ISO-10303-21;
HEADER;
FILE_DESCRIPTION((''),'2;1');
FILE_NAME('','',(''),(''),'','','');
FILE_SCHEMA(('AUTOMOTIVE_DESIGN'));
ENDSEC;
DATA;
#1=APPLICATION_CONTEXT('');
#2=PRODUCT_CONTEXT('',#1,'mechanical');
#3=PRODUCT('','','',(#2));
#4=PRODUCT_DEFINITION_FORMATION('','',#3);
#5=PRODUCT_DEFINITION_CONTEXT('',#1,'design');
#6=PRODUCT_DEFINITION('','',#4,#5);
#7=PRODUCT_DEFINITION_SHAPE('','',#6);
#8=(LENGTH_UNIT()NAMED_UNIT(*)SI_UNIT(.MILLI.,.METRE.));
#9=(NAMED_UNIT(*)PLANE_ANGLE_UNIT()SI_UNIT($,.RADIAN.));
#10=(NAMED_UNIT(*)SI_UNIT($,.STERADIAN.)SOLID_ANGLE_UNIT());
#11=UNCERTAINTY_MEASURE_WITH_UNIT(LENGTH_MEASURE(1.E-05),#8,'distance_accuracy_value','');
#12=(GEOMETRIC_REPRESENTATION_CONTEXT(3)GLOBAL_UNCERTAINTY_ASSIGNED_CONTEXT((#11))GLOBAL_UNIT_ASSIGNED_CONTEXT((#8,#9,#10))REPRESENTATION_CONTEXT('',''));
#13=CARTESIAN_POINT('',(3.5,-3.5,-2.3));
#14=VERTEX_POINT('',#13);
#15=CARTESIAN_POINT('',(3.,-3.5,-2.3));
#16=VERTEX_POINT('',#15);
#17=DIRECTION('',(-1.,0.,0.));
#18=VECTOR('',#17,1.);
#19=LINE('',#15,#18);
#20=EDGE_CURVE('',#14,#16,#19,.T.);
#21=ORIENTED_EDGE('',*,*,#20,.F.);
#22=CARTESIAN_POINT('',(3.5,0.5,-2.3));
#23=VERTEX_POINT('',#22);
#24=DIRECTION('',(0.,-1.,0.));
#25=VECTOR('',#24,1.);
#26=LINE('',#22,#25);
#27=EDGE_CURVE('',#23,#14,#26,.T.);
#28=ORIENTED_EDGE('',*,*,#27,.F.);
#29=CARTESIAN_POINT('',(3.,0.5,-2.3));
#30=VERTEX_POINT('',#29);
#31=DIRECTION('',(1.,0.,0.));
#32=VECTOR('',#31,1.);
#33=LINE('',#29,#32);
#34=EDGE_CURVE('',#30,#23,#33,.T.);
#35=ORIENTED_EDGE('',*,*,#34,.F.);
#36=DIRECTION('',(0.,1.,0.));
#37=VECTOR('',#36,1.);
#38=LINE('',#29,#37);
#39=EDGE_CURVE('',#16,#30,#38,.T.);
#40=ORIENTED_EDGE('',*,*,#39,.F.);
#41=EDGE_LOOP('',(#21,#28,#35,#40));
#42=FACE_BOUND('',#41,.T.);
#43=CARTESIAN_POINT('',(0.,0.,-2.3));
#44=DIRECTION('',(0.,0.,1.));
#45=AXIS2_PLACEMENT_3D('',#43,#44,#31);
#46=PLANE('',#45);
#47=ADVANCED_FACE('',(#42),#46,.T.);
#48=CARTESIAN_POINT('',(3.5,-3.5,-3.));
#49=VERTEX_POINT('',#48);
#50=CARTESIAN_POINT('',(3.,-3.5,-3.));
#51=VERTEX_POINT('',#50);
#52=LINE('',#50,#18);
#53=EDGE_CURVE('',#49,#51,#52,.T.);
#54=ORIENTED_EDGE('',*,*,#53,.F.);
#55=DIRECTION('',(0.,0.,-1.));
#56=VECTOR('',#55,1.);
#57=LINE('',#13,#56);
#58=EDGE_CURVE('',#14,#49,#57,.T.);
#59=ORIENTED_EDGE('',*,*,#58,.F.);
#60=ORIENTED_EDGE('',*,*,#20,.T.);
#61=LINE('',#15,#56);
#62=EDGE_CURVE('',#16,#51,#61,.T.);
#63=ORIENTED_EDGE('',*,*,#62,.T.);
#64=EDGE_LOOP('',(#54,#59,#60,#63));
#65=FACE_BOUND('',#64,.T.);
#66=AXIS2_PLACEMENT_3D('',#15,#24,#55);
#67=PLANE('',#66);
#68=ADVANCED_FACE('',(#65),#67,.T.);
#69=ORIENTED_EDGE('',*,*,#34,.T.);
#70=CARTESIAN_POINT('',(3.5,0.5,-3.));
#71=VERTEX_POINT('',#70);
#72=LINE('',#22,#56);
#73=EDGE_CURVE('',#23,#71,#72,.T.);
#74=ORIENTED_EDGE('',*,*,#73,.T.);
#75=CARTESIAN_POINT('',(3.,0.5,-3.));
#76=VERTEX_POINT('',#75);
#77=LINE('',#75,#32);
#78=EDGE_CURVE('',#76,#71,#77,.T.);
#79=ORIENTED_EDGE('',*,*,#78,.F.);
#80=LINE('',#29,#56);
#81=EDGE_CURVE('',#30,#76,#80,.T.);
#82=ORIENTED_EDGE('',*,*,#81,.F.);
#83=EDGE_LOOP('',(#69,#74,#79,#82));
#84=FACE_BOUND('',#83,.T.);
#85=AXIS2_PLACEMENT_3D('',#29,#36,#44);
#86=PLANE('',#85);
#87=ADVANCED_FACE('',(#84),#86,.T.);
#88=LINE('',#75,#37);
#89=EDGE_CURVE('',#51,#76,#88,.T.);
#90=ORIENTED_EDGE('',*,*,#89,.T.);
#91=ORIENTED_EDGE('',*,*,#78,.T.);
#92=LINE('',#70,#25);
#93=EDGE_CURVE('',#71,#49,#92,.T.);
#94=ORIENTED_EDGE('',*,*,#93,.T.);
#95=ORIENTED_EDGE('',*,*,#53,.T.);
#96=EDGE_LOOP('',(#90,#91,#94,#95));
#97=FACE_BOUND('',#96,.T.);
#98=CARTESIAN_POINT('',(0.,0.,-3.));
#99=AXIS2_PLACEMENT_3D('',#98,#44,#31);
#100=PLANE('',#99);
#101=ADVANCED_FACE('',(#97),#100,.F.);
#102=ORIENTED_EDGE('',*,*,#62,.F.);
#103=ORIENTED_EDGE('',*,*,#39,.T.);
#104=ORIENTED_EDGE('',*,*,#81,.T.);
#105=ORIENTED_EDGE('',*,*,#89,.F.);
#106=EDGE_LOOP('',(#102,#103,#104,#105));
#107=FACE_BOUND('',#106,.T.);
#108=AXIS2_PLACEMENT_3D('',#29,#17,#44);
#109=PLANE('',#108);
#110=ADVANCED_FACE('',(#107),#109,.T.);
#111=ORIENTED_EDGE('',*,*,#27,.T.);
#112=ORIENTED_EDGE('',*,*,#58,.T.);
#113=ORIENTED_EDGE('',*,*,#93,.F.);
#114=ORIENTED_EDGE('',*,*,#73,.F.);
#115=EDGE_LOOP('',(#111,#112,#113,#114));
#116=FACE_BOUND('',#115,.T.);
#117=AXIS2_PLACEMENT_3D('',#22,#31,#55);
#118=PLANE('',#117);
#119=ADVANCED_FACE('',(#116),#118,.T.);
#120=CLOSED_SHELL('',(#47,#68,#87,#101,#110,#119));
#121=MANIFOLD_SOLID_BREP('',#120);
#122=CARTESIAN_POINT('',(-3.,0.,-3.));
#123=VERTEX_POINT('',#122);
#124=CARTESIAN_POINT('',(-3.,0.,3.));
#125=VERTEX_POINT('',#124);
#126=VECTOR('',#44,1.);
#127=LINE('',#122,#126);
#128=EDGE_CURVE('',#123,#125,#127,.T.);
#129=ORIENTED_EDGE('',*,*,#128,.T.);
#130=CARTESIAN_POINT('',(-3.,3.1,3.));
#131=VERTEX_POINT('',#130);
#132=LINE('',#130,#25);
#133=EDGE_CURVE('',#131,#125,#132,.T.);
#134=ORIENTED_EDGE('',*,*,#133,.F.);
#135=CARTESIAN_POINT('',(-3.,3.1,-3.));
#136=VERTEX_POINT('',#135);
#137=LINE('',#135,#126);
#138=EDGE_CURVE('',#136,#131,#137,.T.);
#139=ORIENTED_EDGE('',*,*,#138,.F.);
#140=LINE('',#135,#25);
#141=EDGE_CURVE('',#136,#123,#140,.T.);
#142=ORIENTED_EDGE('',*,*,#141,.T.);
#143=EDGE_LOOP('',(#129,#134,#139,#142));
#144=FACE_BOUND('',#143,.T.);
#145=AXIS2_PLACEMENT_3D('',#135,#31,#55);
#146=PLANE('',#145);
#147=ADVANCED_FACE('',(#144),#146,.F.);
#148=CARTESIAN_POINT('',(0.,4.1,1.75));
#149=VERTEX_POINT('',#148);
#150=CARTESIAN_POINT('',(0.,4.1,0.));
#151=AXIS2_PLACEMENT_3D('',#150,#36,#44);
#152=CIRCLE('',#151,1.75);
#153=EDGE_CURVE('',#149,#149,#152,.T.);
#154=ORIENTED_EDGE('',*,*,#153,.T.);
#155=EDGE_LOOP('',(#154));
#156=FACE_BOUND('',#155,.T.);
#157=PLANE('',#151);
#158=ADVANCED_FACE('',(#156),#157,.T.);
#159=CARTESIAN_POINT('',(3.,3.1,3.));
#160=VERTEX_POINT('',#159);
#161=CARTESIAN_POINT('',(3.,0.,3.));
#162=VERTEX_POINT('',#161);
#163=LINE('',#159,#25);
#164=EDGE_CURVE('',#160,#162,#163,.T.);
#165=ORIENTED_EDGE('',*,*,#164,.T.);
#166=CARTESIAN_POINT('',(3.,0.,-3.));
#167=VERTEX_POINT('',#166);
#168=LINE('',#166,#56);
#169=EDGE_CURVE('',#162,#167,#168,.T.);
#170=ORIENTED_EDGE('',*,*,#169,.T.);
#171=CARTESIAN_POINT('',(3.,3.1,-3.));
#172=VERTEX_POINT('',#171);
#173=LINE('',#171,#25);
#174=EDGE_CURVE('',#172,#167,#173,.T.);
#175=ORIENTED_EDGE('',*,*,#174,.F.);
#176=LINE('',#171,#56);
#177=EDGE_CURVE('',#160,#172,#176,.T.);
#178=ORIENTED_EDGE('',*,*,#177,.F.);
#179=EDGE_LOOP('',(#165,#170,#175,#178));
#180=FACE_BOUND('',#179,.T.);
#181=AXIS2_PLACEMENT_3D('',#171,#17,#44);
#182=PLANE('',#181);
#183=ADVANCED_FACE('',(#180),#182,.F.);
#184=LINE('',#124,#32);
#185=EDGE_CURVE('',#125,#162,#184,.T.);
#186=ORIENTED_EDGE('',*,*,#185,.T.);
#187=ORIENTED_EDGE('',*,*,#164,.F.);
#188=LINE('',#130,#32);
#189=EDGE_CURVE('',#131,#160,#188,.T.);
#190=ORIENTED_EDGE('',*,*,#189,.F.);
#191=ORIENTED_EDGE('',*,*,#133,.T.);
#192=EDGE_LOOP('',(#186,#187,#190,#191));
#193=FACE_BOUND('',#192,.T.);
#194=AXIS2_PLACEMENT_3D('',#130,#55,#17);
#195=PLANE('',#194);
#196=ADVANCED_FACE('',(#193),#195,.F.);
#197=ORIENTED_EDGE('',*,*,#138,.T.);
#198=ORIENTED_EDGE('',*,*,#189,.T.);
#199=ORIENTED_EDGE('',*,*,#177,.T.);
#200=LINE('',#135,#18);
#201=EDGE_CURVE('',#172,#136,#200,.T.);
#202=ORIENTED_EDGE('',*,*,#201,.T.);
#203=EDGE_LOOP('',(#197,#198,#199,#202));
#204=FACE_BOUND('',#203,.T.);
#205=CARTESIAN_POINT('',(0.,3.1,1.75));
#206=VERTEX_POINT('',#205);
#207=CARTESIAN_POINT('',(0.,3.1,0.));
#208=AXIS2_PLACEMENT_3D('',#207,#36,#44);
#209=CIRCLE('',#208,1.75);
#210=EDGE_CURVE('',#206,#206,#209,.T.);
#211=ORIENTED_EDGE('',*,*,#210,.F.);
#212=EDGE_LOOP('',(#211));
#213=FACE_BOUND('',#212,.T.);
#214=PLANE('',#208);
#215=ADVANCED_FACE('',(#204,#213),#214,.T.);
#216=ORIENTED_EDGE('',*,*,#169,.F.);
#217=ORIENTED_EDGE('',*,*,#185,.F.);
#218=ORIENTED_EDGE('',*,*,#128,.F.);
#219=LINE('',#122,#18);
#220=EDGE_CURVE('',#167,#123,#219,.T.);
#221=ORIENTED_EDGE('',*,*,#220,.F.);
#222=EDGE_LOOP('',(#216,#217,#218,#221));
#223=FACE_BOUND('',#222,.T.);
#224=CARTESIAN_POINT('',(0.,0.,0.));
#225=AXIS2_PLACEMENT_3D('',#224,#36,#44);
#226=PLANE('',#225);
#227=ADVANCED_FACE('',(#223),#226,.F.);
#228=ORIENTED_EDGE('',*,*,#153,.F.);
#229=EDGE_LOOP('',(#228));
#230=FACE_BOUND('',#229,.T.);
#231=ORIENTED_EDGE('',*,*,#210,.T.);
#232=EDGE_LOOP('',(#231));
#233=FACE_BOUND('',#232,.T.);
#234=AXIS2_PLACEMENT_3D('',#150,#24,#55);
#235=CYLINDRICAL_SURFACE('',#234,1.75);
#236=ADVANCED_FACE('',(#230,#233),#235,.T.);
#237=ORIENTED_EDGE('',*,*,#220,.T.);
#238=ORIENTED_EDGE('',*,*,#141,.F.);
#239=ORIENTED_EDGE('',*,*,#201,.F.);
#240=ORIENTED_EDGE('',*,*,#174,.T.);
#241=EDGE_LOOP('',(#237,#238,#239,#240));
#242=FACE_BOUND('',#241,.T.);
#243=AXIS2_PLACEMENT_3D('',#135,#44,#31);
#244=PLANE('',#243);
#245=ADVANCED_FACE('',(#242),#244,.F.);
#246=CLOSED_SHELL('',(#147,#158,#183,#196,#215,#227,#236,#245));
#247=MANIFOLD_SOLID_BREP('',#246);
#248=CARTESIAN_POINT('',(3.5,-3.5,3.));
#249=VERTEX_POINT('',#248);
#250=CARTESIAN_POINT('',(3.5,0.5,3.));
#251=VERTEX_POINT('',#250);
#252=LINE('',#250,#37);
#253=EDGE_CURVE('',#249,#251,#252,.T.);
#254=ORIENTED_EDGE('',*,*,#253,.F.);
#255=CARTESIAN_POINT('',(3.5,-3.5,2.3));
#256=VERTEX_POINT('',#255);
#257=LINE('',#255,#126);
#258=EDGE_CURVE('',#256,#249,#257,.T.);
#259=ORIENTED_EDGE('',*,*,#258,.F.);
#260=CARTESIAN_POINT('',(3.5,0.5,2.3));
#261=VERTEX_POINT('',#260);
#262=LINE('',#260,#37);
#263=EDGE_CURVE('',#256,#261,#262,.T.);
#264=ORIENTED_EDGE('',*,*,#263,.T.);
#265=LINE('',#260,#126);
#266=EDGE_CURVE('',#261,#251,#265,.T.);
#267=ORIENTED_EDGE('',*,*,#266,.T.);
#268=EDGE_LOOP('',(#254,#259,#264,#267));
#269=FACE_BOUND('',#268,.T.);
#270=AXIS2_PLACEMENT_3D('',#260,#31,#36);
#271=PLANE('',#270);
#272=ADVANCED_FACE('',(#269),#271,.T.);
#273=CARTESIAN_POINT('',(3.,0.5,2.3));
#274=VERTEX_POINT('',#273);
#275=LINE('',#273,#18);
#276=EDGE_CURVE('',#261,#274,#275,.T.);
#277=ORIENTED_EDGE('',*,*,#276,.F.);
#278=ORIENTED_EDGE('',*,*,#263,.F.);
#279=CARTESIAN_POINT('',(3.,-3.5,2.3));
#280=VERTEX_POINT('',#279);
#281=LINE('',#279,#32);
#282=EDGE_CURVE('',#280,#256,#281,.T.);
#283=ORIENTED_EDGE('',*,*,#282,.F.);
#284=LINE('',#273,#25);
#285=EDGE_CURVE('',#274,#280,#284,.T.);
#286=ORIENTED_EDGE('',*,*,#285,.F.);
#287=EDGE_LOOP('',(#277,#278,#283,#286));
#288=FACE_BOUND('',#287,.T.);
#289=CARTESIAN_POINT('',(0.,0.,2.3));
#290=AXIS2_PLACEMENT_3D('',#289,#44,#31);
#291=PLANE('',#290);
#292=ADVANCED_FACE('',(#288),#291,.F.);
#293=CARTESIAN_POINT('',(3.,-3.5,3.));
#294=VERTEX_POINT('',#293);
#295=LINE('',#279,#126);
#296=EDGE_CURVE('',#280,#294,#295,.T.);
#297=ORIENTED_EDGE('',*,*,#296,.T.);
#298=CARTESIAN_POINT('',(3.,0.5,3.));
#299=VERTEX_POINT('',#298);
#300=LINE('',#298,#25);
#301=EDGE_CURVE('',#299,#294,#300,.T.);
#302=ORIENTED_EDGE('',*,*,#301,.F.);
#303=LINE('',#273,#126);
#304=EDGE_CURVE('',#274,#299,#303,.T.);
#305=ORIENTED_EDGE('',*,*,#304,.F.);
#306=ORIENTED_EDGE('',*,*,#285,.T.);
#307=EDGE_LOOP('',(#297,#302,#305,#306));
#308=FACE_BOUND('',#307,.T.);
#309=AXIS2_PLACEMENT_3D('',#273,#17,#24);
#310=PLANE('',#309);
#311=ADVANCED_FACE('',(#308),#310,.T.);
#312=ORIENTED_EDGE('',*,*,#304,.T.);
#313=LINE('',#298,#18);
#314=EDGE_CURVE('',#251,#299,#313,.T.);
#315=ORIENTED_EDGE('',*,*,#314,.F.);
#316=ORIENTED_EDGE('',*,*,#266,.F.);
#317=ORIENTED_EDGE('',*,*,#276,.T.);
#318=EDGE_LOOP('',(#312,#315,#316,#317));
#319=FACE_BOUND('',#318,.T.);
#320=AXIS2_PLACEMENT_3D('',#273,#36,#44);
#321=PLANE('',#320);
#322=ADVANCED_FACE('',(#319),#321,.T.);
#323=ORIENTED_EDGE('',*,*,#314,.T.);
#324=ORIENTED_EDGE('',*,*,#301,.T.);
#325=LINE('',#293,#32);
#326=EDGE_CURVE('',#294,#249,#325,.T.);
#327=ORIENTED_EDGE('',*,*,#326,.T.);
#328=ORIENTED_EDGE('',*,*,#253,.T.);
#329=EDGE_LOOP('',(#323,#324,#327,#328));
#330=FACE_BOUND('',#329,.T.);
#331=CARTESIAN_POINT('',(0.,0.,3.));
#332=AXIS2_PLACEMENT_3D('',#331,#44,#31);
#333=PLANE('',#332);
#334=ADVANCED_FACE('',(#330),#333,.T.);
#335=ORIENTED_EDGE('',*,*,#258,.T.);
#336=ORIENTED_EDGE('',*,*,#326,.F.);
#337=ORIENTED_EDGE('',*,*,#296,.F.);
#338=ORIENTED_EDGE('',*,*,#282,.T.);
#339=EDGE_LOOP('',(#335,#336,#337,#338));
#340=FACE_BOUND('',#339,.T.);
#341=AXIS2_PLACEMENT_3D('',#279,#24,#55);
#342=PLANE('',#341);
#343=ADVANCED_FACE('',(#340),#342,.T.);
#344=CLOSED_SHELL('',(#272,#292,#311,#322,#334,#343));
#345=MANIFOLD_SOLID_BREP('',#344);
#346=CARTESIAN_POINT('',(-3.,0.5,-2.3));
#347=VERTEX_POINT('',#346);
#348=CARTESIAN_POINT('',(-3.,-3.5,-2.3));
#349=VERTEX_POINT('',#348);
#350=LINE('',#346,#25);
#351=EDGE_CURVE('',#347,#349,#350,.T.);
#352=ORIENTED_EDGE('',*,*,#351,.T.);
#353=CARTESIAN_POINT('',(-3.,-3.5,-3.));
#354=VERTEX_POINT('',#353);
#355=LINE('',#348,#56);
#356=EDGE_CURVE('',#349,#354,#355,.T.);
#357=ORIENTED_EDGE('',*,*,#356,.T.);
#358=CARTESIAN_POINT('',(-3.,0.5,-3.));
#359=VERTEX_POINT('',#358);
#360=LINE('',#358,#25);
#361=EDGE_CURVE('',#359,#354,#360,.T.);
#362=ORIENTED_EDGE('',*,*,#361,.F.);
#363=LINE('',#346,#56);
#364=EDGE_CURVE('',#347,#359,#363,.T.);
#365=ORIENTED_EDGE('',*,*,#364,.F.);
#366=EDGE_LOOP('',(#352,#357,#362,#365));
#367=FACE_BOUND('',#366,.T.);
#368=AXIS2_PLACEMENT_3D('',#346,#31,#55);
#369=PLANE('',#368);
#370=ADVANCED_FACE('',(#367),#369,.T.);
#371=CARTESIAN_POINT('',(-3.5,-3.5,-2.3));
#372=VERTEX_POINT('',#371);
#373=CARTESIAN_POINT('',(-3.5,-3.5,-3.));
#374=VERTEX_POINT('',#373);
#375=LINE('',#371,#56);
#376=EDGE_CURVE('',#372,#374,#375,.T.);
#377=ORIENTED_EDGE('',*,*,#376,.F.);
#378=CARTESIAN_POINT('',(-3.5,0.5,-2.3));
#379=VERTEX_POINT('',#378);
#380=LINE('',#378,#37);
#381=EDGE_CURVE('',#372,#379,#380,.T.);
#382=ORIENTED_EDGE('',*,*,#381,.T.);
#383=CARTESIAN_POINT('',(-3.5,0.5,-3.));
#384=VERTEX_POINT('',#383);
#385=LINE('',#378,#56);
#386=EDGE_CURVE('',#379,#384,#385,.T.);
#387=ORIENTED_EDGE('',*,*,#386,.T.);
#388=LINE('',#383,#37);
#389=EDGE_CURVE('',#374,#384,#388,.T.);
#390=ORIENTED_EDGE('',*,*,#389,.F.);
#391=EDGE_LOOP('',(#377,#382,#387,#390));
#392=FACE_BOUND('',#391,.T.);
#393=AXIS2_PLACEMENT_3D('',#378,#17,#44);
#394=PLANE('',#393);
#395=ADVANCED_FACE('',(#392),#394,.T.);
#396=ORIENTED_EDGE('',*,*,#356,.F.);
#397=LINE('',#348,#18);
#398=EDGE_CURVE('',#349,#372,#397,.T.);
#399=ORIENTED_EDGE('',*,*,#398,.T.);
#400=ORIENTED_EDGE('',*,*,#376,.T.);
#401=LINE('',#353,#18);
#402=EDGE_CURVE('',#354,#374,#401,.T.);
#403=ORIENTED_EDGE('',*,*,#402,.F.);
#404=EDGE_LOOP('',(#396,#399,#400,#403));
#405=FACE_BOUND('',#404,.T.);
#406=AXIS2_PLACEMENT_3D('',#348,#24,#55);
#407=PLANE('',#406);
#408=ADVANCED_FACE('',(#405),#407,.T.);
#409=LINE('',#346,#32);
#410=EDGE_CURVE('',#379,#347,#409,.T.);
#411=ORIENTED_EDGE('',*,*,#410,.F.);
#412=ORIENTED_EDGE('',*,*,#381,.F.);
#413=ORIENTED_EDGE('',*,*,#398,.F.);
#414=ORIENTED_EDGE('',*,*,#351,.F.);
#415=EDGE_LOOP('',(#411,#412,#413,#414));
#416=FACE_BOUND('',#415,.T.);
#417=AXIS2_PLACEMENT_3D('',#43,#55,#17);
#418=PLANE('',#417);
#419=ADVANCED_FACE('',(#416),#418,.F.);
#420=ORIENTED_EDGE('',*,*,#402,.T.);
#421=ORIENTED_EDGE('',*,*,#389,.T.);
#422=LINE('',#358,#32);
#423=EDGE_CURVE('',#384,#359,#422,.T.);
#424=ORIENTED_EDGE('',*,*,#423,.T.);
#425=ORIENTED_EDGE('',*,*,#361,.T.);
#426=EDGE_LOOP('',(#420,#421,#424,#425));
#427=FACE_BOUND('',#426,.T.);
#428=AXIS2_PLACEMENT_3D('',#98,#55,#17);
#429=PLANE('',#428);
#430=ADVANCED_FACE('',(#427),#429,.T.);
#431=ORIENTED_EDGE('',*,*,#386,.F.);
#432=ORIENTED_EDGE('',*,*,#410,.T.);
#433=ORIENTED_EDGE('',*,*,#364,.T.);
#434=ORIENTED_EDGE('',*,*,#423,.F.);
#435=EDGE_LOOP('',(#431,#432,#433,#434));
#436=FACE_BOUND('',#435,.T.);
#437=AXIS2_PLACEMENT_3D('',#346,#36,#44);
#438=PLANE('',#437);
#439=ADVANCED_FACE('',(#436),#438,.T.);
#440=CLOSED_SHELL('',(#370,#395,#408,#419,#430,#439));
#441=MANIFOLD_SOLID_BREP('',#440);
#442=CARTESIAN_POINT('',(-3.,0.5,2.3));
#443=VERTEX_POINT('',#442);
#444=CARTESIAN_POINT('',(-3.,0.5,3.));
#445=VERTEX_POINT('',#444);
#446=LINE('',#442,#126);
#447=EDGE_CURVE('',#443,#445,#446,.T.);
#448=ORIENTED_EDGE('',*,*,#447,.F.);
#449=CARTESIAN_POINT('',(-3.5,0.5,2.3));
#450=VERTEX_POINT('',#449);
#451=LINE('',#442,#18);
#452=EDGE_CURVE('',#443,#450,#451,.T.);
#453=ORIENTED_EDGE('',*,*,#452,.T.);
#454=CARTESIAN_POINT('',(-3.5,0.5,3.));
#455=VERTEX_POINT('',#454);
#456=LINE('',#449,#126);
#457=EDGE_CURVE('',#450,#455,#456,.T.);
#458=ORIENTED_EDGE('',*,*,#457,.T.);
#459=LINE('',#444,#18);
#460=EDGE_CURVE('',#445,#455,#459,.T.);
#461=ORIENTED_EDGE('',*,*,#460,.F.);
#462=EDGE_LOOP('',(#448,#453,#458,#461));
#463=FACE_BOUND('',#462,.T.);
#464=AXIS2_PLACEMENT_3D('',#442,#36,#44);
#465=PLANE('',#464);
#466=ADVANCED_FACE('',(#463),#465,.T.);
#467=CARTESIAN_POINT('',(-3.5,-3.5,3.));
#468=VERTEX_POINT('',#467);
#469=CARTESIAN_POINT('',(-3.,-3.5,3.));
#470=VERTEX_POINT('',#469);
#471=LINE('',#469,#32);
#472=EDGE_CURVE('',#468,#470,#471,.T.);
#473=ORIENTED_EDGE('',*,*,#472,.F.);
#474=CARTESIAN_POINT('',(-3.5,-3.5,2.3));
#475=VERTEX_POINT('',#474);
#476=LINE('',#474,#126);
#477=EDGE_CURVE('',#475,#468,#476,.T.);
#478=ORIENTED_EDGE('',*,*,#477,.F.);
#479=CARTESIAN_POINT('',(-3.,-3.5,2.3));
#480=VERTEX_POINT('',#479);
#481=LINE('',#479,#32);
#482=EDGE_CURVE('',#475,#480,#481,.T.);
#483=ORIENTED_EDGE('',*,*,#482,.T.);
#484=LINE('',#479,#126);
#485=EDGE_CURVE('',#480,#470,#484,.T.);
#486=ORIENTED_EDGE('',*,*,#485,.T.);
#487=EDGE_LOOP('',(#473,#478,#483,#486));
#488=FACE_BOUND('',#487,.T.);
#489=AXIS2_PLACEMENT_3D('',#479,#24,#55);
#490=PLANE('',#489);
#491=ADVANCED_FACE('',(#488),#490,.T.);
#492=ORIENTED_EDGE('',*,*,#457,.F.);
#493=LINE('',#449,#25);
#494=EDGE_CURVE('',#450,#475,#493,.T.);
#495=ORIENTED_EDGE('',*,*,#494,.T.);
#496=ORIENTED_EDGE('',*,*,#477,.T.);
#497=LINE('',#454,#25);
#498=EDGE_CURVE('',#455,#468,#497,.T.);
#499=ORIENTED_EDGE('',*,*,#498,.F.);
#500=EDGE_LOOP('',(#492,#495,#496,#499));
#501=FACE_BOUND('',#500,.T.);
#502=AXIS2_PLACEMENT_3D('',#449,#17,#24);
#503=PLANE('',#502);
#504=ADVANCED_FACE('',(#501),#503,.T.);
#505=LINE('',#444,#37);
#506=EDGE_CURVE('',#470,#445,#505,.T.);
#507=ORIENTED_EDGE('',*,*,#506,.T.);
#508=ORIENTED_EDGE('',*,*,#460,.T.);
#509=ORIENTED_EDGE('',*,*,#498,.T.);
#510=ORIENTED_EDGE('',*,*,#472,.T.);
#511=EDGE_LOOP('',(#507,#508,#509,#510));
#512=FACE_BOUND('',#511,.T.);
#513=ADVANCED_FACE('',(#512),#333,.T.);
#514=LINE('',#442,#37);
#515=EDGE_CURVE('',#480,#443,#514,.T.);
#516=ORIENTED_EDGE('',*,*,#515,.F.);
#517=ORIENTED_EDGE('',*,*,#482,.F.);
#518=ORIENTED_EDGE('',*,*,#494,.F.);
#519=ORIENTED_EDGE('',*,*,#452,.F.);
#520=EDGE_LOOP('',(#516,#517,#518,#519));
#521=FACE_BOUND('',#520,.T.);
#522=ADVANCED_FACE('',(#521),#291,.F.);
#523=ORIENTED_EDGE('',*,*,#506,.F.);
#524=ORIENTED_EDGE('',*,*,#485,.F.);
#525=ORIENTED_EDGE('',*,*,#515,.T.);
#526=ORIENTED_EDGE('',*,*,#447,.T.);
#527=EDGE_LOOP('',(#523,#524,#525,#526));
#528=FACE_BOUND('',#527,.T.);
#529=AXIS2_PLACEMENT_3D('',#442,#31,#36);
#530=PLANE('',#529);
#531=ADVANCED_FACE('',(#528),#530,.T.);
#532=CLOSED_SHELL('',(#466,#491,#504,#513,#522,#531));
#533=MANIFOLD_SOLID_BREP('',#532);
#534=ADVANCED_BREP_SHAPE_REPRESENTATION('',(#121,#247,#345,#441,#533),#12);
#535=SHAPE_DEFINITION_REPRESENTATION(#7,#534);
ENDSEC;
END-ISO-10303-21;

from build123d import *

# Parameters (mm, degrees)
SKETCH1_W             = 6
SKETCH1_H             = 6
BOSS_EXTRUDE1_DEPTH   = 3.1
SKETCH2_R             = 1.75
BOSS_EXTRUDE2_DEPTH   = 1
SKETCH3_W             = 0.5
SKETCH3_H             = 4
BOSS_EXTRUDE3_DEPTH   = 0.7
BOSS_EXTRUDE3_2_DEPTH = 0.7
SKETCH4_W             = 0.5
SKETCH4_H             = 4
BOSS_EXTRUDE4_DEPTH   = 0.7
BOSS_EXTRUDE4_2_DEPTH = 0.7


with BuildPart() as part:
    # Sketch1 → Boss-Extrude1 (new body)
    with BuildSketch(Plane(origin=(0, 0, 0), x_dir=(1, 0, 0), z_dir=(0, 1, 0))):
        Rectangle(SKETCH1_W, SKETCH1_H)
    extrude(amount=BOSS_EXTRUDE1_DEPTH)

    # Sketch2 → Boss-Extrude2 (add)
    with BuildSketch(Plane(origin=(0, 3.1, 0), x_dir=(1, 0, 0), z_dir=(0, 1, 0))):
        with Locations(Location((0, 0, 0), (0, 0, 270))):
            Circle(SKETCH2_R)
    extrude(amount=BOSS_EXTRUDE2_DEPTH)


with BuildPart() as body_2:
    # Sketch3 → Boss-Extrude3 (new body)
    with BuildSketch(Plane.XY.offset(3)):
        with Locations((3.25, -1.5)):
            Rectangle(SKETCH3_W, SKETCH3_H)
    extrude(amount=-BOSS_EXTRUDE3_DEPTH)


with BuildPart() as body_3:
    # Sketch3 → Boss-Extrude3 2 (new body)
    with BuildSketch(Plane.XY.offset(3)):
        with Locations((-3.25, -1.5)):
            Rectangle(SKETCH3_W, SKETCH3_H)
    extrude(amount=-BOSS_EXTRUDE3_2_DEPTH)


with BuildPart() as body_4:
    # Sketch4 → Boss-Extrude4 (new body)
    with BuildSketch(Plane(origin=(0, 0, -3), x_dir=(-1, 0, 0), z_dir=(0, 0, -1))):
        with Locations((-3.25, -1.5)):
            Rectangle(SKETCH4_W, SKETCH4_H)
    extrude(amount=-BOSS_EXTRUDE4_DEPTH)


with BuildPart() as body_5:
    # Sketch4 → Boss-Extrude4 2 (new body)
    with BuildSketch(Plane(origin=(0, 0, -3), x_dir=(-1, 0, 0), z_dir=(0, 0, -1))):
        with Locations((3.25, -1.5)):
            Rectangle(SKETCH4_W, SKETCH4_H)
    extrude(amount=-BOSS_EXTRUDE4_2_DEPTH)


solid = Compound([part.part, body_2.part, body_3.part, body_4.part, body_5.part])
